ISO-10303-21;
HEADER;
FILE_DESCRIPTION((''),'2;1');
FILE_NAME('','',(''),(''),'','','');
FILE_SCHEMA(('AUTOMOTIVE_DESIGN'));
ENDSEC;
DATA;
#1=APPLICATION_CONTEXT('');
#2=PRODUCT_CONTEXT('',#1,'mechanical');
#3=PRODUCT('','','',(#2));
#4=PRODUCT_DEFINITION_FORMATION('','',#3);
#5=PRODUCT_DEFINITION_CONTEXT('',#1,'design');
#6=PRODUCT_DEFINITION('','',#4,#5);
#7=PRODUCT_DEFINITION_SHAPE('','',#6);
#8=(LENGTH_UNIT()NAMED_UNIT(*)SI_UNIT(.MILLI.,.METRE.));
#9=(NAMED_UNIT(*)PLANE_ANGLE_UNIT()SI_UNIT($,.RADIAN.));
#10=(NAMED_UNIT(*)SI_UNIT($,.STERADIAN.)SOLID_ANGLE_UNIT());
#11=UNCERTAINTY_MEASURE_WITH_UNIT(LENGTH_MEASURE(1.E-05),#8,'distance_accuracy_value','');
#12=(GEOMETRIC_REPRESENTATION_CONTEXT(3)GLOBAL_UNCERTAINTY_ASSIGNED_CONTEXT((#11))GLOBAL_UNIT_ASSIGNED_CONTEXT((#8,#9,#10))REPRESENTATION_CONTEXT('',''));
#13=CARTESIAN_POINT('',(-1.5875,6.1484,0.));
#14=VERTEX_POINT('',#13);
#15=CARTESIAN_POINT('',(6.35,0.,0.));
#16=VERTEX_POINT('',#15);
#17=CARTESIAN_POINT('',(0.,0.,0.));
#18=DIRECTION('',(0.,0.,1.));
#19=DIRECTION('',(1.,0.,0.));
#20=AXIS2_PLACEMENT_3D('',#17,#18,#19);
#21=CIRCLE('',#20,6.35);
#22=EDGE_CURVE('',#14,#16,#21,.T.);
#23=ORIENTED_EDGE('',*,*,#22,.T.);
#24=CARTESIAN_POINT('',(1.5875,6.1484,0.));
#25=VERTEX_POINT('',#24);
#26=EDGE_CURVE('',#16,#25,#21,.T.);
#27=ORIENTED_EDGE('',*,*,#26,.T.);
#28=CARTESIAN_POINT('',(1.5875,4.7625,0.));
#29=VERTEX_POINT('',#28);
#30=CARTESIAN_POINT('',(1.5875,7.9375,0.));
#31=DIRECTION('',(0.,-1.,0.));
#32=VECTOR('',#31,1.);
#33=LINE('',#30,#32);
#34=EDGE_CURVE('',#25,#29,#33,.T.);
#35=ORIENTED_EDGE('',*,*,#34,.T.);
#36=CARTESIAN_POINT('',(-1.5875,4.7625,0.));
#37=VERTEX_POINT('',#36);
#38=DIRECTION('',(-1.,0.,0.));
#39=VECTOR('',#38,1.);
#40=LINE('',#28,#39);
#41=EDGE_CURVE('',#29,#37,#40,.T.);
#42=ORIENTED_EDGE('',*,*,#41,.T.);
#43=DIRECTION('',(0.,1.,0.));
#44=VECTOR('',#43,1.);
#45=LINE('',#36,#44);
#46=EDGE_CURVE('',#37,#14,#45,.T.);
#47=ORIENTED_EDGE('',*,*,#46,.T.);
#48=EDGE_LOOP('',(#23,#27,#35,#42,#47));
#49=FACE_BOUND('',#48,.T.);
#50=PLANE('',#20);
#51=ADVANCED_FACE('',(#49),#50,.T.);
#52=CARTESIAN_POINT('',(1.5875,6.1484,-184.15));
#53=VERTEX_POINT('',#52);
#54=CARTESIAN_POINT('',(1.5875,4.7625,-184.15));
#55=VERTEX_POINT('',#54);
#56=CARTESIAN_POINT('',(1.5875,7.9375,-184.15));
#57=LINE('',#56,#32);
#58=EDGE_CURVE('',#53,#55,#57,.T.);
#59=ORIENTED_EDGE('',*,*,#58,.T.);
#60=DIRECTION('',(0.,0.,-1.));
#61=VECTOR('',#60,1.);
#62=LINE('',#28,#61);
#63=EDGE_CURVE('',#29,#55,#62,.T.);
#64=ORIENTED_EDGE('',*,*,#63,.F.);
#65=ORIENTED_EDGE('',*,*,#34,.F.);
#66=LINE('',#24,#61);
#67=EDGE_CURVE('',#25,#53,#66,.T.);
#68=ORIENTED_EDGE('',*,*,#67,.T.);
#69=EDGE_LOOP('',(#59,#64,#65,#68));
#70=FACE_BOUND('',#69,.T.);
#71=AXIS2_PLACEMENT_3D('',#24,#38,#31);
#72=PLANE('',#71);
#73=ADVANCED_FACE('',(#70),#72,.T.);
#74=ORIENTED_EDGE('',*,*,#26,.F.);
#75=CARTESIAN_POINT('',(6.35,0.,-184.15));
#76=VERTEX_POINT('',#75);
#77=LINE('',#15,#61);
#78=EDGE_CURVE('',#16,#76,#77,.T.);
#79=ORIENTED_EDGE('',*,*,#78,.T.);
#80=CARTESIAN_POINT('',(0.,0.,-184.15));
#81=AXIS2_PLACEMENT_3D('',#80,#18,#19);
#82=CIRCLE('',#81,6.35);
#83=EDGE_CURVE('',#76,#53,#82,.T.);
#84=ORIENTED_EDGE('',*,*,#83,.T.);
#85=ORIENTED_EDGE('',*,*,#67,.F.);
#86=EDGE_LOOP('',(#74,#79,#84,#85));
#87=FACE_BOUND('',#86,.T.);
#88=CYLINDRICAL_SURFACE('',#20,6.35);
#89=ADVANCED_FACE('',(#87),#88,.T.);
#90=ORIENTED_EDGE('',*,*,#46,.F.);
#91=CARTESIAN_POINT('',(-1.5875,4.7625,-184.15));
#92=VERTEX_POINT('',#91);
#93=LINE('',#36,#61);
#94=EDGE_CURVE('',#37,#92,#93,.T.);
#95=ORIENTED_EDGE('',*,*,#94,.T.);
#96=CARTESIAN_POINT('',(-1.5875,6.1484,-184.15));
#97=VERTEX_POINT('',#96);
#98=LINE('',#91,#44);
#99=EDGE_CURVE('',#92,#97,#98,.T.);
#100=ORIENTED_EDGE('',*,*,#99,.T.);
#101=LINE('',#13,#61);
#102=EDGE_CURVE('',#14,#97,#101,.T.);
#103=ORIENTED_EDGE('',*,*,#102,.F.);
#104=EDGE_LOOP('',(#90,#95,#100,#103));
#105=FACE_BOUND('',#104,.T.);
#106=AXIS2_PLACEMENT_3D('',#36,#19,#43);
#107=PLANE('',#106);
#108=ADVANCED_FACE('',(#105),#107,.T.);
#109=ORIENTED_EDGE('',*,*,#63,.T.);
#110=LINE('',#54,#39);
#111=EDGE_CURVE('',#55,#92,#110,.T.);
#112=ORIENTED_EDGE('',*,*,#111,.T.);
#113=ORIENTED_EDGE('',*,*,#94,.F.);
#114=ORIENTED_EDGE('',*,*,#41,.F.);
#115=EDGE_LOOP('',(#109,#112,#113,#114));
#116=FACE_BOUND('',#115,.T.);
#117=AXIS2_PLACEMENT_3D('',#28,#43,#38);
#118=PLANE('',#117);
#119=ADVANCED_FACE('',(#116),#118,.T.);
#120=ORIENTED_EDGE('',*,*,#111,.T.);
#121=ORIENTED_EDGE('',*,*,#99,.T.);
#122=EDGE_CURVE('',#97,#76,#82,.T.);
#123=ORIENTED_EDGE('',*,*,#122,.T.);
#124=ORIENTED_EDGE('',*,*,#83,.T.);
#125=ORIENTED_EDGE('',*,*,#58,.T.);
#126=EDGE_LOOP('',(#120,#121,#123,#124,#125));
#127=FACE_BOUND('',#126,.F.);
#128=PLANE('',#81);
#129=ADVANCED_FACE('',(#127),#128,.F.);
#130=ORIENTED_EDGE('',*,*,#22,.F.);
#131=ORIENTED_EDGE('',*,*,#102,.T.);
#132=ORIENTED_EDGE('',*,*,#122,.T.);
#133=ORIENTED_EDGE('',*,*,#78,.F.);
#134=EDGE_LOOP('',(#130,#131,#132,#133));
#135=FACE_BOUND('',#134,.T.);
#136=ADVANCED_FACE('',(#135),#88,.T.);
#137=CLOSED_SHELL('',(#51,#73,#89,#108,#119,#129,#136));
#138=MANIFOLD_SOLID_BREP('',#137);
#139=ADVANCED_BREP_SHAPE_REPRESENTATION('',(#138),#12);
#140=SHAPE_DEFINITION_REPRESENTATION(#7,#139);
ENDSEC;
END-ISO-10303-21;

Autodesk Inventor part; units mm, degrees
ref_plane "YZ Plane" through (0, 0, 0) normal (1, 0, 0) x (0, 1, 0)
ref_plane "XZ Plane" through (0, 0, 0) normal (0, 1, 0) x (-1, 0, 0)
ref_plane "XY Plane" through (0, 0, 0) normal (0, 0, 1) x (1, 0, 0)
sketch "Sketch1" plane through (0, 0, 0) normal (0, 0, 1) x (1, 0, 0)
  circle A0 centre (0, 0) radius 6.35
  line L0 (-1.5875, 7.9375) -> (1.5875, 7.9375)
  line L1 (1.5875, 7.9375) -> (1.5875, 4.7625)
  line L2 (1.5875, 4.7625) -> (-1.5875, 4.7625)
  line L3 (-1.5875, 4.7625) -> (-1.5875, 7.9375)
  line L4 (1.5875, 4.7625) -> (1.5875, 6.1484)
  line L5 (-1.5875, 4.7625) -> (-1.5875, 6.1484)
  line L6 (1.5875, 4.7625) -> (-1.5875, 4.7625)
  point P0 (0, 4.7625)
  dimension "d0" = 12.7
  dimension "d1" = 3.175
  dimension "d2" = 3.175
  dimension "d3" = 4.7625
extrude "Extrusion1" add sketch "Sketch1" against normal blind 184.15 contours A0 L3 L2 L1 picked at (0.1781, 1.0658)
properties part number "bambar roller axle"
